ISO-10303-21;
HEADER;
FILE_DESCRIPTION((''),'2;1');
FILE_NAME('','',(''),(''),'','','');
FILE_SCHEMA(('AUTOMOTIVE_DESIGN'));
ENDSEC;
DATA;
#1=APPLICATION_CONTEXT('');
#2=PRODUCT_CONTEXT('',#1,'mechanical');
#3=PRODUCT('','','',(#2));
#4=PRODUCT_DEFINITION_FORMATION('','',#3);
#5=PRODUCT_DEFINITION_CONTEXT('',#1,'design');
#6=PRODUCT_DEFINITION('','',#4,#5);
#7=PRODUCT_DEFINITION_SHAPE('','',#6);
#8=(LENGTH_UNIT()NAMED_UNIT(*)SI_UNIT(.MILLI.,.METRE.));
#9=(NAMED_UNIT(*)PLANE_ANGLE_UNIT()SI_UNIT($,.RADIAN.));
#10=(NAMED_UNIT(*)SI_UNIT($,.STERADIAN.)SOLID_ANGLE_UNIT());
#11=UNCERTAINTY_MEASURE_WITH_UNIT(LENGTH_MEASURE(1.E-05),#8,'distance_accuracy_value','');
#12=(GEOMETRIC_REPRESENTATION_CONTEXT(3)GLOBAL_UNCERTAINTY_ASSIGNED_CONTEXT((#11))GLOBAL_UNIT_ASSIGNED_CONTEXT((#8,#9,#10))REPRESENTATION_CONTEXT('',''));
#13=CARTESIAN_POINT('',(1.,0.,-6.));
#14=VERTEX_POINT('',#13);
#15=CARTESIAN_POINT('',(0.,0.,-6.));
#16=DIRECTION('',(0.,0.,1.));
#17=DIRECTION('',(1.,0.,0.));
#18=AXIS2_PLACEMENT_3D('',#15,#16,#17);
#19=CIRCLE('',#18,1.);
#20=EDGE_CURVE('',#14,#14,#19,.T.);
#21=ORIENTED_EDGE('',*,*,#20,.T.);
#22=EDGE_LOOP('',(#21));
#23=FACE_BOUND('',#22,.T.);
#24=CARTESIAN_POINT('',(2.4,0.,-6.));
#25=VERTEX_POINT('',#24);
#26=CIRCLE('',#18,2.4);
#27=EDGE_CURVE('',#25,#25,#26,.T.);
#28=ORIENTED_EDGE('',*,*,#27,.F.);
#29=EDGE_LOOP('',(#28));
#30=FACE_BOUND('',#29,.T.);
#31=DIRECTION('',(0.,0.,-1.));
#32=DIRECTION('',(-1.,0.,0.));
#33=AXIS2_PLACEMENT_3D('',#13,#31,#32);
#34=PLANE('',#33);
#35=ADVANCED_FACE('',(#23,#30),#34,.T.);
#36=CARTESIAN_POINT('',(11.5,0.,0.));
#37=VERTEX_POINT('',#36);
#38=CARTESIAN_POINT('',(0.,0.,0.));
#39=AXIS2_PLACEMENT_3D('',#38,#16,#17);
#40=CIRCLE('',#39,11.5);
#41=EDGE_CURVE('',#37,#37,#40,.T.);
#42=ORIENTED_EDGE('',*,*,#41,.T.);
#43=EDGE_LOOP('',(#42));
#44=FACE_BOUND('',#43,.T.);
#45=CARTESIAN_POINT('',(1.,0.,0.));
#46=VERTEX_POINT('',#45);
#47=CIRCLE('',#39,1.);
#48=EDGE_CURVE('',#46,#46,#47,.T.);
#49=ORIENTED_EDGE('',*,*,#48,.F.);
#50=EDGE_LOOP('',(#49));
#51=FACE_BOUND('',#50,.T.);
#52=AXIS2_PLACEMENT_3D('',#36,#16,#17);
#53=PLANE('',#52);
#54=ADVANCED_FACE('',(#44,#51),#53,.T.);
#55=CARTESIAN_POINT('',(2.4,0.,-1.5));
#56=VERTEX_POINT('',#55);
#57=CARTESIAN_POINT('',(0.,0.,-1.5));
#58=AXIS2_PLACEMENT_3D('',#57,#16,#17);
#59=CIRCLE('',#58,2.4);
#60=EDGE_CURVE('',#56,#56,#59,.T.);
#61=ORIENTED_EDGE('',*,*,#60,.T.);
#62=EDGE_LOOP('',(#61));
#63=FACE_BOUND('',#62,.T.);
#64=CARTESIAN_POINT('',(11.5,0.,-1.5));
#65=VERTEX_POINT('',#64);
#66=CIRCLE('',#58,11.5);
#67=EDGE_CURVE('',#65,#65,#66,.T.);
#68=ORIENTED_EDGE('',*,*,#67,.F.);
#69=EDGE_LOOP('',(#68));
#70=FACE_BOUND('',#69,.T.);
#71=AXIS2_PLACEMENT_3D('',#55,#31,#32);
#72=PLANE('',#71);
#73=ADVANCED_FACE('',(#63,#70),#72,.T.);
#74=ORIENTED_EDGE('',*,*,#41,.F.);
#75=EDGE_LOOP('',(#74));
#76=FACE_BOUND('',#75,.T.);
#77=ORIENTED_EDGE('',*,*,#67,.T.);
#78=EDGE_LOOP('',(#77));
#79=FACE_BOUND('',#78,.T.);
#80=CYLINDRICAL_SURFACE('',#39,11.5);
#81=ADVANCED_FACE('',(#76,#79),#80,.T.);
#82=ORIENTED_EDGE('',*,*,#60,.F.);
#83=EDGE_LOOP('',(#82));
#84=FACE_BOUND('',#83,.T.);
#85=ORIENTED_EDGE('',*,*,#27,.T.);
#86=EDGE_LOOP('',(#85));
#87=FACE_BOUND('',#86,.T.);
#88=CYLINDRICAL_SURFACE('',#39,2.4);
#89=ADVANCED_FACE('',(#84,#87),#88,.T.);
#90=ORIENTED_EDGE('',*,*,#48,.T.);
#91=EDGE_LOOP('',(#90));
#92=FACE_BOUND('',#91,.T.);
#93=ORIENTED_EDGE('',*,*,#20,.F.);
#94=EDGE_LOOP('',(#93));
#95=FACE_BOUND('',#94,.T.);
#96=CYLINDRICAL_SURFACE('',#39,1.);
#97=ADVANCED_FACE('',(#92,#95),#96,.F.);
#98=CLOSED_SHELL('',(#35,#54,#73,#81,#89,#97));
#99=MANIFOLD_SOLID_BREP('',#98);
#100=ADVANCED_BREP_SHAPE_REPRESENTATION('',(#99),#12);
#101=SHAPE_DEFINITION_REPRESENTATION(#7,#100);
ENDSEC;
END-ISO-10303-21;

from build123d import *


with BuildPart() as part:
    # Sketch1 → Revolve1 (revolve)
    with BuildSketch(Plane(origin=(0, 0, 0), x_dir=(1, 0, 0), z_dir=(0, 1, 0))):
        Polygon((1, 0), (1, 6), (2.4, 6), (2.4, 1.5), (11.5, 1.5), (11.5, 0), align=None)
    revolve(axis=Axis((0, 0, 0), (0, 0, -1)))


solid = part.part
